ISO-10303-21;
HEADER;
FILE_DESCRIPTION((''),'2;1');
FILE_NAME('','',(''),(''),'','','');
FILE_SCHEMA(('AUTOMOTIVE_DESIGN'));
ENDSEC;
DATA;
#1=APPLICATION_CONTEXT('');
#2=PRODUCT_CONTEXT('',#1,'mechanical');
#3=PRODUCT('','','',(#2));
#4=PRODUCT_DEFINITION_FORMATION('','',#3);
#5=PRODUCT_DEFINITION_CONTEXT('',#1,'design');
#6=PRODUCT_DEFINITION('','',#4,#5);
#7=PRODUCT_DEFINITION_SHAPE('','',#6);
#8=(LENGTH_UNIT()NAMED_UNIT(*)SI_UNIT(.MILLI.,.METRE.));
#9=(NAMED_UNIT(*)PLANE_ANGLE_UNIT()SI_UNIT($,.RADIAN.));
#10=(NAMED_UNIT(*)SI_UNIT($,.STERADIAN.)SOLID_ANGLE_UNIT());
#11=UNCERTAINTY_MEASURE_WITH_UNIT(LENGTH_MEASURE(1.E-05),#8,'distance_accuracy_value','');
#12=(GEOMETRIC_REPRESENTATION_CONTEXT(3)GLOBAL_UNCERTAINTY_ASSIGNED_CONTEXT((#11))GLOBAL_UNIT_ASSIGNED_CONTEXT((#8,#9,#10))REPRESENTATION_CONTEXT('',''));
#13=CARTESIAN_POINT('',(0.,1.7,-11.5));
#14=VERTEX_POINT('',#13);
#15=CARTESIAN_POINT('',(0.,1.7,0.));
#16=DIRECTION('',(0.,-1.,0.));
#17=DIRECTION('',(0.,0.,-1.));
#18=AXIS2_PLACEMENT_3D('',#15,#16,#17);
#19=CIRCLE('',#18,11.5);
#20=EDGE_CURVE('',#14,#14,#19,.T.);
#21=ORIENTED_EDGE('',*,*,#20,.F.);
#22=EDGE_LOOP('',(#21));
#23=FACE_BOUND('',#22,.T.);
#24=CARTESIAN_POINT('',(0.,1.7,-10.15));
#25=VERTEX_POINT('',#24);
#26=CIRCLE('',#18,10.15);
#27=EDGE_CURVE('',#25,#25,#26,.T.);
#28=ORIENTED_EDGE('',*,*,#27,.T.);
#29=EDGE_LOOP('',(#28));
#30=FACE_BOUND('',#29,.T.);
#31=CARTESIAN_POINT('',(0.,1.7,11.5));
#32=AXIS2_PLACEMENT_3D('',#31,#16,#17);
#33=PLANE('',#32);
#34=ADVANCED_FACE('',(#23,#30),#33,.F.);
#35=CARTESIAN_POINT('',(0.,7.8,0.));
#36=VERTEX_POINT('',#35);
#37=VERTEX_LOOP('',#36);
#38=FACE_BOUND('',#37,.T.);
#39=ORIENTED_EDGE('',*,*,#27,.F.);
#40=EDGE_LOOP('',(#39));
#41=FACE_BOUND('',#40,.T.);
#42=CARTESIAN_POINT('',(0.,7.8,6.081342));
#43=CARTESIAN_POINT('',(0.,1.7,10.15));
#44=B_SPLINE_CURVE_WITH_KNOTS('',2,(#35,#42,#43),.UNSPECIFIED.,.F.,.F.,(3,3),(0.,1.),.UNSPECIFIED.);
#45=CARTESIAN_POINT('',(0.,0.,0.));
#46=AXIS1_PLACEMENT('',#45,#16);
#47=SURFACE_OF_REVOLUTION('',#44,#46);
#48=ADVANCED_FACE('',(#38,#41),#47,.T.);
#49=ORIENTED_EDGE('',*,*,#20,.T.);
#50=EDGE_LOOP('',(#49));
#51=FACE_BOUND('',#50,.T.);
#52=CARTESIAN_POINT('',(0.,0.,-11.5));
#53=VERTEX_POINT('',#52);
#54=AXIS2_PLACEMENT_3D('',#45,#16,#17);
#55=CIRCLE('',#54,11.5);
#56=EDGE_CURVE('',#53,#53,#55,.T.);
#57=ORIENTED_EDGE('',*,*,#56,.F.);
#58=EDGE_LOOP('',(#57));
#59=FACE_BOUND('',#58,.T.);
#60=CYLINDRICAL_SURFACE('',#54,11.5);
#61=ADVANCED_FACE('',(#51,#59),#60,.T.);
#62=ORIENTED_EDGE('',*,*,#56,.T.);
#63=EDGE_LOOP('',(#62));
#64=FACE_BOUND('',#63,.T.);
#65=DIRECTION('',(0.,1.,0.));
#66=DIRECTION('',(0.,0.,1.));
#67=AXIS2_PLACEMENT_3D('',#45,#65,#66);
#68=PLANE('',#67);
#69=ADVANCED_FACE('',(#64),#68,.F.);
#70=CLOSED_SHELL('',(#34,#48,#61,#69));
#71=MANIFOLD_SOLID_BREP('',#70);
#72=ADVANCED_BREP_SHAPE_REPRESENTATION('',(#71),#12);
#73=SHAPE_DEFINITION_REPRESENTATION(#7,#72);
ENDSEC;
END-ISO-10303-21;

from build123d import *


with BuildPart() as part:
    # Sketch1 → Revolve1 (revolve)
    with BuildSketch(Plane(origin=(0, 0, 0), x_dir=(0, 0, -1), z_dir=(1, 0, 0)), mode=Mode.PRIVATE) as revolve1_sk:
        with BuildLine():
            Line((0, 0), (0, 7.8))
            add(Edge.make_bspline(
                [(-10.15, 1.7), (-6.081341611, 7.8), (0, 7.8)],
                knots=[0, 0, 0, 1, 1, 1], degree=2))
            Line((-10.15, 1.7), (-11.5, 1.7))
            Line((-11.5, 1.7), (-11.5, 0))
            Line((-11.5, 0), (0, 0))
        make_face()
    revolve(revolve1_sk.sketch.rotate(Axis((0, 0, 0), (0, 1, 0)), 180), axis=Axis((0, 0, 0), (0, 1, 0)))


solid = part.part
